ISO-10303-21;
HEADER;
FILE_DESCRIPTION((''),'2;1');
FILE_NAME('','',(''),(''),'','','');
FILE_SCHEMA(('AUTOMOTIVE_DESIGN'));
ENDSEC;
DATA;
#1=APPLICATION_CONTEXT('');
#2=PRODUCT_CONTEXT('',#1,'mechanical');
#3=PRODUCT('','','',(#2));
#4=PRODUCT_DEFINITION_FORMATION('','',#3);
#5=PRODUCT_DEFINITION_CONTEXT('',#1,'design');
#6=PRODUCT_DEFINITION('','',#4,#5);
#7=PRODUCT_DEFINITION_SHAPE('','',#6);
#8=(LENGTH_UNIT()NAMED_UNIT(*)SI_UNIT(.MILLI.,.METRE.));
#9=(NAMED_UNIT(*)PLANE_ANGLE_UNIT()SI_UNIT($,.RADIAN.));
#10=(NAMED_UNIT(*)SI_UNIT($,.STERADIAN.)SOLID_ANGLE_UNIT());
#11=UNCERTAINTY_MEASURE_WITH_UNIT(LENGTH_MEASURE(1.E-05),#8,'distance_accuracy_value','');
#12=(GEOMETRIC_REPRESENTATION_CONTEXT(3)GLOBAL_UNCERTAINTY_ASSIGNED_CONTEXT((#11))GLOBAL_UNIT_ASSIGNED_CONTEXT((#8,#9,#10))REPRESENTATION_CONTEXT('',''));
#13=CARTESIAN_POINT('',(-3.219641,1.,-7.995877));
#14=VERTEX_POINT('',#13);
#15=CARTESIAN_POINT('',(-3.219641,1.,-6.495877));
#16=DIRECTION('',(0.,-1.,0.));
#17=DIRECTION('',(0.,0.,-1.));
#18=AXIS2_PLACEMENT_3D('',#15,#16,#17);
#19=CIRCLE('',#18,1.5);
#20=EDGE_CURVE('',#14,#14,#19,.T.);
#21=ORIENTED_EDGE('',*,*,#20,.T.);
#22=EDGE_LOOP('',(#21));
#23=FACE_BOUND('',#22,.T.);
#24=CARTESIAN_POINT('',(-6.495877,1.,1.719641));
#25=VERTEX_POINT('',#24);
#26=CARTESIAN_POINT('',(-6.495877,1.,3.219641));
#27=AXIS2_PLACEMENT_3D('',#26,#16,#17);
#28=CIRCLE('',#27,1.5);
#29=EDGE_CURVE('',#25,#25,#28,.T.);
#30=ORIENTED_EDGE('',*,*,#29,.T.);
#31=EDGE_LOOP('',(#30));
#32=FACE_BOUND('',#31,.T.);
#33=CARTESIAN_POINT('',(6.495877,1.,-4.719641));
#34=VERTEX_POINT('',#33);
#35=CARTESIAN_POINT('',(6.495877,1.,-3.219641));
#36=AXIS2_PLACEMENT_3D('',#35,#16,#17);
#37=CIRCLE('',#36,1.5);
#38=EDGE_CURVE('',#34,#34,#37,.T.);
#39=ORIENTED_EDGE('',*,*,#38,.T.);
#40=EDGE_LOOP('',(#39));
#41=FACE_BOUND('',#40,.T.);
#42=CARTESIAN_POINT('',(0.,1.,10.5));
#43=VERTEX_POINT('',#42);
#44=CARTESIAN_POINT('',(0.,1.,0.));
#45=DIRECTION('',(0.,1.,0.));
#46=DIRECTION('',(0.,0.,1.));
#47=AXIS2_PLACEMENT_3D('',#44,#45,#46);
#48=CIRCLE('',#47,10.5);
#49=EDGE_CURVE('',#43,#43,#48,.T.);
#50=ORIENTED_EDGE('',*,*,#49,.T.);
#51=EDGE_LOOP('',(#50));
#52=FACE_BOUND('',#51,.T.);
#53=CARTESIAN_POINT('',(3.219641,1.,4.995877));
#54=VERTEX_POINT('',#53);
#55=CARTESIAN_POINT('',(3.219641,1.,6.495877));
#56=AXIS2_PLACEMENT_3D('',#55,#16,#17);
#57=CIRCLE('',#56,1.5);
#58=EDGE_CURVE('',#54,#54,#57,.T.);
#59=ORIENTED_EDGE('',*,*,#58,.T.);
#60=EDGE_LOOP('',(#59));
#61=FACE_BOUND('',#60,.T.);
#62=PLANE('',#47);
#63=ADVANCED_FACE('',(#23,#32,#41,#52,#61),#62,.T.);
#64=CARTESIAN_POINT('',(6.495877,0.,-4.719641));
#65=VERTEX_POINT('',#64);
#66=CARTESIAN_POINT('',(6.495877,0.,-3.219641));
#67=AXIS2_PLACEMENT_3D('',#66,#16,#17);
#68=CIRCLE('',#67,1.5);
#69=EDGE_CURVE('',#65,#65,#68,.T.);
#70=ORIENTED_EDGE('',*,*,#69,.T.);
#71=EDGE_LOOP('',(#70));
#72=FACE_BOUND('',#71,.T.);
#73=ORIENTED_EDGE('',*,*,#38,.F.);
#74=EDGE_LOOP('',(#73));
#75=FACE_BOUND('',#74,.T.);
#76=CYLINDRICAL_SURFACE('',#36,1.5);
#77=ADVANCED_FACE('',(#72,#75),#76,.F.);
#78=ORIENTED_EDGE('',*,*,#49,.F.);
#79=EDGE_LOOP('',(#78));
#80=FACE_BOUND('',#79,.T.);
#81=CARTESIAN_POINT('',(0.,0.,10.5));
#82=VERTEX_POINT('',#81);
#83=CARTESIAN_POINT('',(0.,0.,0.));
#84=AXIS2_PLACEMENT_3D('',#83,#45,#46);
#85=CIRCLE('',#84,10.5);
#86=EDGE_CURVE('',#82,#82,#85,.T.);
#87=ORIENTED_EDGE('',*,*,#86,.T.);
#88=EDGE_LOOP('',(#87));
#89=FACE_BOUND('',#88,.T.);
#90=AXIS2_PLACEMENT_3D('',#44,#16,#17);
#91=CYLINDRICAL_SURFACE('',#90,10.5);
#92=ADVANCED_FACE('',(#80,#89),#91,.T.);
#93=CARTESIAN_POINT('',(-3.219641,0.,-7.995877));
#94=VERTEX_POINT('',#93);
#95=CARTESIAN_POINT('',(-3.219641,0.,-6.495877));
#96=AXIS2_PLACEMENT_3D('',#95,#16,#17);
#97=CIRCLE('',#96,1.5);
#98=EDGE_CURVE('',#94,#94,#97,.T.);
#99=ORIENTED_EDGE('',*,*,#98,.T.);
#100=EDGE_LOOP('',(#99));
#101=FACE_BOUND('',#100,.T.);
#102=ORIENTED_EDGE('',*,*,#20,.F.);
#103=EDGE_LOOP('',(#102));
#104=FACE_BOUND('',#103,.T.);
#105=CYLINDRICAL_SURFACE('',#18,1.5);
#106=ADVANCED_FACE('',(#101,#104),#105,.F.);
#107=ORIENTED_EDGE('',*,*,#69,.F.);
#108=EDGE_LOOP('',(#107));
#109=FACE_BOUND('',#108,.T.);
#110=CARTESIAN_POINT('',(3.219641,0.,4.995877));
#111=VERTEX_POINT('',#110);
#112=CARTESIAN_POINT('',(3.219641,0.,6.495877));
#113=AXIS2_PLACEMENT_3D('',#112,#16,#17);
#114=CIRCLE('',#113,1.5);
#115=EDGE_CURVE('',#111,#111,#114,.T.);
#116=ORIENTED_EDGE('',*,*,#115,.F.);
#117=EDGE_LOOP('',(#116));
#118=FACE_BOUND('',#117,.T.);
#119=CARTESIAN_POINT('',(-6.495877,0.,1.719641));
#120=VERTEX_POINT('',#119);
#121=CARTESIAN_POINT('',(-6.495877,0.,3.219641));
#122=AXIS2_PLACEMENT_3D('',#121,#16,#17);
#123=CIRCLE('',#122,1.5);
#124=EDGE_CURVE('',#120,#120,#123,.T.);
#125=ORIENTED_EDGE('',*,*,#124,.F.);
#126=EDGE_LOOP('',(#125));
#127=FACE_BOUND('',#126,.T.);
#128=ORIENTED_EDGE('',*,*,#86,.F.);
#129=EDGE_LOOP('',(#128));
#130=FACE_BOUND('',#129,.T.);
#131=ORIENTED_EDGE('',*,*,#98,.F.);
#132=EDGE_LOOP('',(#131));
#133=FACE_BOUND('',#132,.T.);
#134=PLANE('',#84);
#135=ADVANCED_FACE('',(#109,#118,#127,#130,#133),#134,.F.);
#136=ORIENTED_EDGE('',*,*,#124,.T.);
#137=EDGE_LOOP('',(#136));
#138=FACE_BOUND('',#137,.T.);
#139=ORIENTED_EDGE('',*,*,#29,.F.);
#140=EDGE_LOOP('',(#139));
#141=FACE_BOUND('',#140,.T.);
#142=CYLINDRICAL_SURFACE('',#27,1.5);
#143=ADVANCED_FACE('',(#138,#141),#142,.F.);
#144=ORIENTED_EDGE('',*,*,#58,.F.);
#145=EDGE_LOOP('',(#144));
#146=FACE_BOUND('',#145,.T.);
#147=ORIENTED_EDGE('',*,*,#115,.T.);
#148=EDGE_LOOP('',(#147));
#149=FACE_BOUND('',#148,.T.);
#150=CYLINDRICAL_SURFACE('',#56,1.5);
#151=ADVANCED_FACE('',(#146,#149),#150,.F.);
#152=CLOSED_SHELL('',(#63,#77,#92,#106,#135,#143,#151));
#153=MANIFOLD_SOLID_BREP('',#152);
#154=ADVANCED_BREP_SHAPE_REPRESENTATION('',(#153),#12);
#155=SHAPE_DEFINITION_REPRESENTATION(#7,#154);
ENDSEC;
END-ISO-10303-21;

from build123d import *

# Parameters (mm, degrees)
SKETCH1_R           = 10.5
BOSS_EXTRUDE1_DEPTH = 1
SKETCH4_R           = 1.5
CUT_EXTRUDE1_DEPTH  = 15.882876066


with BuildPart() as part:
    # Sketch1 → Boss-Extrude1 (new body)
    with BuildSketch(Plane(origin=(0, 0, 0), x_dir=(1, 0, 0), z_dir=(0, 1, 0))):
        with Locations(Location((0, 0, 0), (0, 0, 270))):
            Circle(SKETCH1_R)
    extrude(amount=BOSS_EXTRUDE1_DEPTH)

    # Sketch4 → Cut-Extrude1 (cut, through all)
    with BuildSketch(Plane.XZ):
        with Locations(Location((6.495876564, -3.219640923, 0), (0, 0, 270))):
            Circle(SKETCH4_R)
        with Locations(Location((-3.219640923, -6.495876564, 0), (0, 0, 270))):
            Circle(SKETCH4_R)
        with Locations(Location((3.219640923, 6.495876564, 0), (0, 0, 270))):
            Circle(SKETCH4_R)
        with Locations(Location((-6.495876564, 3.219640923, 0), (0, 0, 270))):
            Circle(SKETCH4_R)
    extrude(amount=-CUT_EXTRUDE1_DEPTH, mode=Mode.SUBTRACT)


solid = part.part
